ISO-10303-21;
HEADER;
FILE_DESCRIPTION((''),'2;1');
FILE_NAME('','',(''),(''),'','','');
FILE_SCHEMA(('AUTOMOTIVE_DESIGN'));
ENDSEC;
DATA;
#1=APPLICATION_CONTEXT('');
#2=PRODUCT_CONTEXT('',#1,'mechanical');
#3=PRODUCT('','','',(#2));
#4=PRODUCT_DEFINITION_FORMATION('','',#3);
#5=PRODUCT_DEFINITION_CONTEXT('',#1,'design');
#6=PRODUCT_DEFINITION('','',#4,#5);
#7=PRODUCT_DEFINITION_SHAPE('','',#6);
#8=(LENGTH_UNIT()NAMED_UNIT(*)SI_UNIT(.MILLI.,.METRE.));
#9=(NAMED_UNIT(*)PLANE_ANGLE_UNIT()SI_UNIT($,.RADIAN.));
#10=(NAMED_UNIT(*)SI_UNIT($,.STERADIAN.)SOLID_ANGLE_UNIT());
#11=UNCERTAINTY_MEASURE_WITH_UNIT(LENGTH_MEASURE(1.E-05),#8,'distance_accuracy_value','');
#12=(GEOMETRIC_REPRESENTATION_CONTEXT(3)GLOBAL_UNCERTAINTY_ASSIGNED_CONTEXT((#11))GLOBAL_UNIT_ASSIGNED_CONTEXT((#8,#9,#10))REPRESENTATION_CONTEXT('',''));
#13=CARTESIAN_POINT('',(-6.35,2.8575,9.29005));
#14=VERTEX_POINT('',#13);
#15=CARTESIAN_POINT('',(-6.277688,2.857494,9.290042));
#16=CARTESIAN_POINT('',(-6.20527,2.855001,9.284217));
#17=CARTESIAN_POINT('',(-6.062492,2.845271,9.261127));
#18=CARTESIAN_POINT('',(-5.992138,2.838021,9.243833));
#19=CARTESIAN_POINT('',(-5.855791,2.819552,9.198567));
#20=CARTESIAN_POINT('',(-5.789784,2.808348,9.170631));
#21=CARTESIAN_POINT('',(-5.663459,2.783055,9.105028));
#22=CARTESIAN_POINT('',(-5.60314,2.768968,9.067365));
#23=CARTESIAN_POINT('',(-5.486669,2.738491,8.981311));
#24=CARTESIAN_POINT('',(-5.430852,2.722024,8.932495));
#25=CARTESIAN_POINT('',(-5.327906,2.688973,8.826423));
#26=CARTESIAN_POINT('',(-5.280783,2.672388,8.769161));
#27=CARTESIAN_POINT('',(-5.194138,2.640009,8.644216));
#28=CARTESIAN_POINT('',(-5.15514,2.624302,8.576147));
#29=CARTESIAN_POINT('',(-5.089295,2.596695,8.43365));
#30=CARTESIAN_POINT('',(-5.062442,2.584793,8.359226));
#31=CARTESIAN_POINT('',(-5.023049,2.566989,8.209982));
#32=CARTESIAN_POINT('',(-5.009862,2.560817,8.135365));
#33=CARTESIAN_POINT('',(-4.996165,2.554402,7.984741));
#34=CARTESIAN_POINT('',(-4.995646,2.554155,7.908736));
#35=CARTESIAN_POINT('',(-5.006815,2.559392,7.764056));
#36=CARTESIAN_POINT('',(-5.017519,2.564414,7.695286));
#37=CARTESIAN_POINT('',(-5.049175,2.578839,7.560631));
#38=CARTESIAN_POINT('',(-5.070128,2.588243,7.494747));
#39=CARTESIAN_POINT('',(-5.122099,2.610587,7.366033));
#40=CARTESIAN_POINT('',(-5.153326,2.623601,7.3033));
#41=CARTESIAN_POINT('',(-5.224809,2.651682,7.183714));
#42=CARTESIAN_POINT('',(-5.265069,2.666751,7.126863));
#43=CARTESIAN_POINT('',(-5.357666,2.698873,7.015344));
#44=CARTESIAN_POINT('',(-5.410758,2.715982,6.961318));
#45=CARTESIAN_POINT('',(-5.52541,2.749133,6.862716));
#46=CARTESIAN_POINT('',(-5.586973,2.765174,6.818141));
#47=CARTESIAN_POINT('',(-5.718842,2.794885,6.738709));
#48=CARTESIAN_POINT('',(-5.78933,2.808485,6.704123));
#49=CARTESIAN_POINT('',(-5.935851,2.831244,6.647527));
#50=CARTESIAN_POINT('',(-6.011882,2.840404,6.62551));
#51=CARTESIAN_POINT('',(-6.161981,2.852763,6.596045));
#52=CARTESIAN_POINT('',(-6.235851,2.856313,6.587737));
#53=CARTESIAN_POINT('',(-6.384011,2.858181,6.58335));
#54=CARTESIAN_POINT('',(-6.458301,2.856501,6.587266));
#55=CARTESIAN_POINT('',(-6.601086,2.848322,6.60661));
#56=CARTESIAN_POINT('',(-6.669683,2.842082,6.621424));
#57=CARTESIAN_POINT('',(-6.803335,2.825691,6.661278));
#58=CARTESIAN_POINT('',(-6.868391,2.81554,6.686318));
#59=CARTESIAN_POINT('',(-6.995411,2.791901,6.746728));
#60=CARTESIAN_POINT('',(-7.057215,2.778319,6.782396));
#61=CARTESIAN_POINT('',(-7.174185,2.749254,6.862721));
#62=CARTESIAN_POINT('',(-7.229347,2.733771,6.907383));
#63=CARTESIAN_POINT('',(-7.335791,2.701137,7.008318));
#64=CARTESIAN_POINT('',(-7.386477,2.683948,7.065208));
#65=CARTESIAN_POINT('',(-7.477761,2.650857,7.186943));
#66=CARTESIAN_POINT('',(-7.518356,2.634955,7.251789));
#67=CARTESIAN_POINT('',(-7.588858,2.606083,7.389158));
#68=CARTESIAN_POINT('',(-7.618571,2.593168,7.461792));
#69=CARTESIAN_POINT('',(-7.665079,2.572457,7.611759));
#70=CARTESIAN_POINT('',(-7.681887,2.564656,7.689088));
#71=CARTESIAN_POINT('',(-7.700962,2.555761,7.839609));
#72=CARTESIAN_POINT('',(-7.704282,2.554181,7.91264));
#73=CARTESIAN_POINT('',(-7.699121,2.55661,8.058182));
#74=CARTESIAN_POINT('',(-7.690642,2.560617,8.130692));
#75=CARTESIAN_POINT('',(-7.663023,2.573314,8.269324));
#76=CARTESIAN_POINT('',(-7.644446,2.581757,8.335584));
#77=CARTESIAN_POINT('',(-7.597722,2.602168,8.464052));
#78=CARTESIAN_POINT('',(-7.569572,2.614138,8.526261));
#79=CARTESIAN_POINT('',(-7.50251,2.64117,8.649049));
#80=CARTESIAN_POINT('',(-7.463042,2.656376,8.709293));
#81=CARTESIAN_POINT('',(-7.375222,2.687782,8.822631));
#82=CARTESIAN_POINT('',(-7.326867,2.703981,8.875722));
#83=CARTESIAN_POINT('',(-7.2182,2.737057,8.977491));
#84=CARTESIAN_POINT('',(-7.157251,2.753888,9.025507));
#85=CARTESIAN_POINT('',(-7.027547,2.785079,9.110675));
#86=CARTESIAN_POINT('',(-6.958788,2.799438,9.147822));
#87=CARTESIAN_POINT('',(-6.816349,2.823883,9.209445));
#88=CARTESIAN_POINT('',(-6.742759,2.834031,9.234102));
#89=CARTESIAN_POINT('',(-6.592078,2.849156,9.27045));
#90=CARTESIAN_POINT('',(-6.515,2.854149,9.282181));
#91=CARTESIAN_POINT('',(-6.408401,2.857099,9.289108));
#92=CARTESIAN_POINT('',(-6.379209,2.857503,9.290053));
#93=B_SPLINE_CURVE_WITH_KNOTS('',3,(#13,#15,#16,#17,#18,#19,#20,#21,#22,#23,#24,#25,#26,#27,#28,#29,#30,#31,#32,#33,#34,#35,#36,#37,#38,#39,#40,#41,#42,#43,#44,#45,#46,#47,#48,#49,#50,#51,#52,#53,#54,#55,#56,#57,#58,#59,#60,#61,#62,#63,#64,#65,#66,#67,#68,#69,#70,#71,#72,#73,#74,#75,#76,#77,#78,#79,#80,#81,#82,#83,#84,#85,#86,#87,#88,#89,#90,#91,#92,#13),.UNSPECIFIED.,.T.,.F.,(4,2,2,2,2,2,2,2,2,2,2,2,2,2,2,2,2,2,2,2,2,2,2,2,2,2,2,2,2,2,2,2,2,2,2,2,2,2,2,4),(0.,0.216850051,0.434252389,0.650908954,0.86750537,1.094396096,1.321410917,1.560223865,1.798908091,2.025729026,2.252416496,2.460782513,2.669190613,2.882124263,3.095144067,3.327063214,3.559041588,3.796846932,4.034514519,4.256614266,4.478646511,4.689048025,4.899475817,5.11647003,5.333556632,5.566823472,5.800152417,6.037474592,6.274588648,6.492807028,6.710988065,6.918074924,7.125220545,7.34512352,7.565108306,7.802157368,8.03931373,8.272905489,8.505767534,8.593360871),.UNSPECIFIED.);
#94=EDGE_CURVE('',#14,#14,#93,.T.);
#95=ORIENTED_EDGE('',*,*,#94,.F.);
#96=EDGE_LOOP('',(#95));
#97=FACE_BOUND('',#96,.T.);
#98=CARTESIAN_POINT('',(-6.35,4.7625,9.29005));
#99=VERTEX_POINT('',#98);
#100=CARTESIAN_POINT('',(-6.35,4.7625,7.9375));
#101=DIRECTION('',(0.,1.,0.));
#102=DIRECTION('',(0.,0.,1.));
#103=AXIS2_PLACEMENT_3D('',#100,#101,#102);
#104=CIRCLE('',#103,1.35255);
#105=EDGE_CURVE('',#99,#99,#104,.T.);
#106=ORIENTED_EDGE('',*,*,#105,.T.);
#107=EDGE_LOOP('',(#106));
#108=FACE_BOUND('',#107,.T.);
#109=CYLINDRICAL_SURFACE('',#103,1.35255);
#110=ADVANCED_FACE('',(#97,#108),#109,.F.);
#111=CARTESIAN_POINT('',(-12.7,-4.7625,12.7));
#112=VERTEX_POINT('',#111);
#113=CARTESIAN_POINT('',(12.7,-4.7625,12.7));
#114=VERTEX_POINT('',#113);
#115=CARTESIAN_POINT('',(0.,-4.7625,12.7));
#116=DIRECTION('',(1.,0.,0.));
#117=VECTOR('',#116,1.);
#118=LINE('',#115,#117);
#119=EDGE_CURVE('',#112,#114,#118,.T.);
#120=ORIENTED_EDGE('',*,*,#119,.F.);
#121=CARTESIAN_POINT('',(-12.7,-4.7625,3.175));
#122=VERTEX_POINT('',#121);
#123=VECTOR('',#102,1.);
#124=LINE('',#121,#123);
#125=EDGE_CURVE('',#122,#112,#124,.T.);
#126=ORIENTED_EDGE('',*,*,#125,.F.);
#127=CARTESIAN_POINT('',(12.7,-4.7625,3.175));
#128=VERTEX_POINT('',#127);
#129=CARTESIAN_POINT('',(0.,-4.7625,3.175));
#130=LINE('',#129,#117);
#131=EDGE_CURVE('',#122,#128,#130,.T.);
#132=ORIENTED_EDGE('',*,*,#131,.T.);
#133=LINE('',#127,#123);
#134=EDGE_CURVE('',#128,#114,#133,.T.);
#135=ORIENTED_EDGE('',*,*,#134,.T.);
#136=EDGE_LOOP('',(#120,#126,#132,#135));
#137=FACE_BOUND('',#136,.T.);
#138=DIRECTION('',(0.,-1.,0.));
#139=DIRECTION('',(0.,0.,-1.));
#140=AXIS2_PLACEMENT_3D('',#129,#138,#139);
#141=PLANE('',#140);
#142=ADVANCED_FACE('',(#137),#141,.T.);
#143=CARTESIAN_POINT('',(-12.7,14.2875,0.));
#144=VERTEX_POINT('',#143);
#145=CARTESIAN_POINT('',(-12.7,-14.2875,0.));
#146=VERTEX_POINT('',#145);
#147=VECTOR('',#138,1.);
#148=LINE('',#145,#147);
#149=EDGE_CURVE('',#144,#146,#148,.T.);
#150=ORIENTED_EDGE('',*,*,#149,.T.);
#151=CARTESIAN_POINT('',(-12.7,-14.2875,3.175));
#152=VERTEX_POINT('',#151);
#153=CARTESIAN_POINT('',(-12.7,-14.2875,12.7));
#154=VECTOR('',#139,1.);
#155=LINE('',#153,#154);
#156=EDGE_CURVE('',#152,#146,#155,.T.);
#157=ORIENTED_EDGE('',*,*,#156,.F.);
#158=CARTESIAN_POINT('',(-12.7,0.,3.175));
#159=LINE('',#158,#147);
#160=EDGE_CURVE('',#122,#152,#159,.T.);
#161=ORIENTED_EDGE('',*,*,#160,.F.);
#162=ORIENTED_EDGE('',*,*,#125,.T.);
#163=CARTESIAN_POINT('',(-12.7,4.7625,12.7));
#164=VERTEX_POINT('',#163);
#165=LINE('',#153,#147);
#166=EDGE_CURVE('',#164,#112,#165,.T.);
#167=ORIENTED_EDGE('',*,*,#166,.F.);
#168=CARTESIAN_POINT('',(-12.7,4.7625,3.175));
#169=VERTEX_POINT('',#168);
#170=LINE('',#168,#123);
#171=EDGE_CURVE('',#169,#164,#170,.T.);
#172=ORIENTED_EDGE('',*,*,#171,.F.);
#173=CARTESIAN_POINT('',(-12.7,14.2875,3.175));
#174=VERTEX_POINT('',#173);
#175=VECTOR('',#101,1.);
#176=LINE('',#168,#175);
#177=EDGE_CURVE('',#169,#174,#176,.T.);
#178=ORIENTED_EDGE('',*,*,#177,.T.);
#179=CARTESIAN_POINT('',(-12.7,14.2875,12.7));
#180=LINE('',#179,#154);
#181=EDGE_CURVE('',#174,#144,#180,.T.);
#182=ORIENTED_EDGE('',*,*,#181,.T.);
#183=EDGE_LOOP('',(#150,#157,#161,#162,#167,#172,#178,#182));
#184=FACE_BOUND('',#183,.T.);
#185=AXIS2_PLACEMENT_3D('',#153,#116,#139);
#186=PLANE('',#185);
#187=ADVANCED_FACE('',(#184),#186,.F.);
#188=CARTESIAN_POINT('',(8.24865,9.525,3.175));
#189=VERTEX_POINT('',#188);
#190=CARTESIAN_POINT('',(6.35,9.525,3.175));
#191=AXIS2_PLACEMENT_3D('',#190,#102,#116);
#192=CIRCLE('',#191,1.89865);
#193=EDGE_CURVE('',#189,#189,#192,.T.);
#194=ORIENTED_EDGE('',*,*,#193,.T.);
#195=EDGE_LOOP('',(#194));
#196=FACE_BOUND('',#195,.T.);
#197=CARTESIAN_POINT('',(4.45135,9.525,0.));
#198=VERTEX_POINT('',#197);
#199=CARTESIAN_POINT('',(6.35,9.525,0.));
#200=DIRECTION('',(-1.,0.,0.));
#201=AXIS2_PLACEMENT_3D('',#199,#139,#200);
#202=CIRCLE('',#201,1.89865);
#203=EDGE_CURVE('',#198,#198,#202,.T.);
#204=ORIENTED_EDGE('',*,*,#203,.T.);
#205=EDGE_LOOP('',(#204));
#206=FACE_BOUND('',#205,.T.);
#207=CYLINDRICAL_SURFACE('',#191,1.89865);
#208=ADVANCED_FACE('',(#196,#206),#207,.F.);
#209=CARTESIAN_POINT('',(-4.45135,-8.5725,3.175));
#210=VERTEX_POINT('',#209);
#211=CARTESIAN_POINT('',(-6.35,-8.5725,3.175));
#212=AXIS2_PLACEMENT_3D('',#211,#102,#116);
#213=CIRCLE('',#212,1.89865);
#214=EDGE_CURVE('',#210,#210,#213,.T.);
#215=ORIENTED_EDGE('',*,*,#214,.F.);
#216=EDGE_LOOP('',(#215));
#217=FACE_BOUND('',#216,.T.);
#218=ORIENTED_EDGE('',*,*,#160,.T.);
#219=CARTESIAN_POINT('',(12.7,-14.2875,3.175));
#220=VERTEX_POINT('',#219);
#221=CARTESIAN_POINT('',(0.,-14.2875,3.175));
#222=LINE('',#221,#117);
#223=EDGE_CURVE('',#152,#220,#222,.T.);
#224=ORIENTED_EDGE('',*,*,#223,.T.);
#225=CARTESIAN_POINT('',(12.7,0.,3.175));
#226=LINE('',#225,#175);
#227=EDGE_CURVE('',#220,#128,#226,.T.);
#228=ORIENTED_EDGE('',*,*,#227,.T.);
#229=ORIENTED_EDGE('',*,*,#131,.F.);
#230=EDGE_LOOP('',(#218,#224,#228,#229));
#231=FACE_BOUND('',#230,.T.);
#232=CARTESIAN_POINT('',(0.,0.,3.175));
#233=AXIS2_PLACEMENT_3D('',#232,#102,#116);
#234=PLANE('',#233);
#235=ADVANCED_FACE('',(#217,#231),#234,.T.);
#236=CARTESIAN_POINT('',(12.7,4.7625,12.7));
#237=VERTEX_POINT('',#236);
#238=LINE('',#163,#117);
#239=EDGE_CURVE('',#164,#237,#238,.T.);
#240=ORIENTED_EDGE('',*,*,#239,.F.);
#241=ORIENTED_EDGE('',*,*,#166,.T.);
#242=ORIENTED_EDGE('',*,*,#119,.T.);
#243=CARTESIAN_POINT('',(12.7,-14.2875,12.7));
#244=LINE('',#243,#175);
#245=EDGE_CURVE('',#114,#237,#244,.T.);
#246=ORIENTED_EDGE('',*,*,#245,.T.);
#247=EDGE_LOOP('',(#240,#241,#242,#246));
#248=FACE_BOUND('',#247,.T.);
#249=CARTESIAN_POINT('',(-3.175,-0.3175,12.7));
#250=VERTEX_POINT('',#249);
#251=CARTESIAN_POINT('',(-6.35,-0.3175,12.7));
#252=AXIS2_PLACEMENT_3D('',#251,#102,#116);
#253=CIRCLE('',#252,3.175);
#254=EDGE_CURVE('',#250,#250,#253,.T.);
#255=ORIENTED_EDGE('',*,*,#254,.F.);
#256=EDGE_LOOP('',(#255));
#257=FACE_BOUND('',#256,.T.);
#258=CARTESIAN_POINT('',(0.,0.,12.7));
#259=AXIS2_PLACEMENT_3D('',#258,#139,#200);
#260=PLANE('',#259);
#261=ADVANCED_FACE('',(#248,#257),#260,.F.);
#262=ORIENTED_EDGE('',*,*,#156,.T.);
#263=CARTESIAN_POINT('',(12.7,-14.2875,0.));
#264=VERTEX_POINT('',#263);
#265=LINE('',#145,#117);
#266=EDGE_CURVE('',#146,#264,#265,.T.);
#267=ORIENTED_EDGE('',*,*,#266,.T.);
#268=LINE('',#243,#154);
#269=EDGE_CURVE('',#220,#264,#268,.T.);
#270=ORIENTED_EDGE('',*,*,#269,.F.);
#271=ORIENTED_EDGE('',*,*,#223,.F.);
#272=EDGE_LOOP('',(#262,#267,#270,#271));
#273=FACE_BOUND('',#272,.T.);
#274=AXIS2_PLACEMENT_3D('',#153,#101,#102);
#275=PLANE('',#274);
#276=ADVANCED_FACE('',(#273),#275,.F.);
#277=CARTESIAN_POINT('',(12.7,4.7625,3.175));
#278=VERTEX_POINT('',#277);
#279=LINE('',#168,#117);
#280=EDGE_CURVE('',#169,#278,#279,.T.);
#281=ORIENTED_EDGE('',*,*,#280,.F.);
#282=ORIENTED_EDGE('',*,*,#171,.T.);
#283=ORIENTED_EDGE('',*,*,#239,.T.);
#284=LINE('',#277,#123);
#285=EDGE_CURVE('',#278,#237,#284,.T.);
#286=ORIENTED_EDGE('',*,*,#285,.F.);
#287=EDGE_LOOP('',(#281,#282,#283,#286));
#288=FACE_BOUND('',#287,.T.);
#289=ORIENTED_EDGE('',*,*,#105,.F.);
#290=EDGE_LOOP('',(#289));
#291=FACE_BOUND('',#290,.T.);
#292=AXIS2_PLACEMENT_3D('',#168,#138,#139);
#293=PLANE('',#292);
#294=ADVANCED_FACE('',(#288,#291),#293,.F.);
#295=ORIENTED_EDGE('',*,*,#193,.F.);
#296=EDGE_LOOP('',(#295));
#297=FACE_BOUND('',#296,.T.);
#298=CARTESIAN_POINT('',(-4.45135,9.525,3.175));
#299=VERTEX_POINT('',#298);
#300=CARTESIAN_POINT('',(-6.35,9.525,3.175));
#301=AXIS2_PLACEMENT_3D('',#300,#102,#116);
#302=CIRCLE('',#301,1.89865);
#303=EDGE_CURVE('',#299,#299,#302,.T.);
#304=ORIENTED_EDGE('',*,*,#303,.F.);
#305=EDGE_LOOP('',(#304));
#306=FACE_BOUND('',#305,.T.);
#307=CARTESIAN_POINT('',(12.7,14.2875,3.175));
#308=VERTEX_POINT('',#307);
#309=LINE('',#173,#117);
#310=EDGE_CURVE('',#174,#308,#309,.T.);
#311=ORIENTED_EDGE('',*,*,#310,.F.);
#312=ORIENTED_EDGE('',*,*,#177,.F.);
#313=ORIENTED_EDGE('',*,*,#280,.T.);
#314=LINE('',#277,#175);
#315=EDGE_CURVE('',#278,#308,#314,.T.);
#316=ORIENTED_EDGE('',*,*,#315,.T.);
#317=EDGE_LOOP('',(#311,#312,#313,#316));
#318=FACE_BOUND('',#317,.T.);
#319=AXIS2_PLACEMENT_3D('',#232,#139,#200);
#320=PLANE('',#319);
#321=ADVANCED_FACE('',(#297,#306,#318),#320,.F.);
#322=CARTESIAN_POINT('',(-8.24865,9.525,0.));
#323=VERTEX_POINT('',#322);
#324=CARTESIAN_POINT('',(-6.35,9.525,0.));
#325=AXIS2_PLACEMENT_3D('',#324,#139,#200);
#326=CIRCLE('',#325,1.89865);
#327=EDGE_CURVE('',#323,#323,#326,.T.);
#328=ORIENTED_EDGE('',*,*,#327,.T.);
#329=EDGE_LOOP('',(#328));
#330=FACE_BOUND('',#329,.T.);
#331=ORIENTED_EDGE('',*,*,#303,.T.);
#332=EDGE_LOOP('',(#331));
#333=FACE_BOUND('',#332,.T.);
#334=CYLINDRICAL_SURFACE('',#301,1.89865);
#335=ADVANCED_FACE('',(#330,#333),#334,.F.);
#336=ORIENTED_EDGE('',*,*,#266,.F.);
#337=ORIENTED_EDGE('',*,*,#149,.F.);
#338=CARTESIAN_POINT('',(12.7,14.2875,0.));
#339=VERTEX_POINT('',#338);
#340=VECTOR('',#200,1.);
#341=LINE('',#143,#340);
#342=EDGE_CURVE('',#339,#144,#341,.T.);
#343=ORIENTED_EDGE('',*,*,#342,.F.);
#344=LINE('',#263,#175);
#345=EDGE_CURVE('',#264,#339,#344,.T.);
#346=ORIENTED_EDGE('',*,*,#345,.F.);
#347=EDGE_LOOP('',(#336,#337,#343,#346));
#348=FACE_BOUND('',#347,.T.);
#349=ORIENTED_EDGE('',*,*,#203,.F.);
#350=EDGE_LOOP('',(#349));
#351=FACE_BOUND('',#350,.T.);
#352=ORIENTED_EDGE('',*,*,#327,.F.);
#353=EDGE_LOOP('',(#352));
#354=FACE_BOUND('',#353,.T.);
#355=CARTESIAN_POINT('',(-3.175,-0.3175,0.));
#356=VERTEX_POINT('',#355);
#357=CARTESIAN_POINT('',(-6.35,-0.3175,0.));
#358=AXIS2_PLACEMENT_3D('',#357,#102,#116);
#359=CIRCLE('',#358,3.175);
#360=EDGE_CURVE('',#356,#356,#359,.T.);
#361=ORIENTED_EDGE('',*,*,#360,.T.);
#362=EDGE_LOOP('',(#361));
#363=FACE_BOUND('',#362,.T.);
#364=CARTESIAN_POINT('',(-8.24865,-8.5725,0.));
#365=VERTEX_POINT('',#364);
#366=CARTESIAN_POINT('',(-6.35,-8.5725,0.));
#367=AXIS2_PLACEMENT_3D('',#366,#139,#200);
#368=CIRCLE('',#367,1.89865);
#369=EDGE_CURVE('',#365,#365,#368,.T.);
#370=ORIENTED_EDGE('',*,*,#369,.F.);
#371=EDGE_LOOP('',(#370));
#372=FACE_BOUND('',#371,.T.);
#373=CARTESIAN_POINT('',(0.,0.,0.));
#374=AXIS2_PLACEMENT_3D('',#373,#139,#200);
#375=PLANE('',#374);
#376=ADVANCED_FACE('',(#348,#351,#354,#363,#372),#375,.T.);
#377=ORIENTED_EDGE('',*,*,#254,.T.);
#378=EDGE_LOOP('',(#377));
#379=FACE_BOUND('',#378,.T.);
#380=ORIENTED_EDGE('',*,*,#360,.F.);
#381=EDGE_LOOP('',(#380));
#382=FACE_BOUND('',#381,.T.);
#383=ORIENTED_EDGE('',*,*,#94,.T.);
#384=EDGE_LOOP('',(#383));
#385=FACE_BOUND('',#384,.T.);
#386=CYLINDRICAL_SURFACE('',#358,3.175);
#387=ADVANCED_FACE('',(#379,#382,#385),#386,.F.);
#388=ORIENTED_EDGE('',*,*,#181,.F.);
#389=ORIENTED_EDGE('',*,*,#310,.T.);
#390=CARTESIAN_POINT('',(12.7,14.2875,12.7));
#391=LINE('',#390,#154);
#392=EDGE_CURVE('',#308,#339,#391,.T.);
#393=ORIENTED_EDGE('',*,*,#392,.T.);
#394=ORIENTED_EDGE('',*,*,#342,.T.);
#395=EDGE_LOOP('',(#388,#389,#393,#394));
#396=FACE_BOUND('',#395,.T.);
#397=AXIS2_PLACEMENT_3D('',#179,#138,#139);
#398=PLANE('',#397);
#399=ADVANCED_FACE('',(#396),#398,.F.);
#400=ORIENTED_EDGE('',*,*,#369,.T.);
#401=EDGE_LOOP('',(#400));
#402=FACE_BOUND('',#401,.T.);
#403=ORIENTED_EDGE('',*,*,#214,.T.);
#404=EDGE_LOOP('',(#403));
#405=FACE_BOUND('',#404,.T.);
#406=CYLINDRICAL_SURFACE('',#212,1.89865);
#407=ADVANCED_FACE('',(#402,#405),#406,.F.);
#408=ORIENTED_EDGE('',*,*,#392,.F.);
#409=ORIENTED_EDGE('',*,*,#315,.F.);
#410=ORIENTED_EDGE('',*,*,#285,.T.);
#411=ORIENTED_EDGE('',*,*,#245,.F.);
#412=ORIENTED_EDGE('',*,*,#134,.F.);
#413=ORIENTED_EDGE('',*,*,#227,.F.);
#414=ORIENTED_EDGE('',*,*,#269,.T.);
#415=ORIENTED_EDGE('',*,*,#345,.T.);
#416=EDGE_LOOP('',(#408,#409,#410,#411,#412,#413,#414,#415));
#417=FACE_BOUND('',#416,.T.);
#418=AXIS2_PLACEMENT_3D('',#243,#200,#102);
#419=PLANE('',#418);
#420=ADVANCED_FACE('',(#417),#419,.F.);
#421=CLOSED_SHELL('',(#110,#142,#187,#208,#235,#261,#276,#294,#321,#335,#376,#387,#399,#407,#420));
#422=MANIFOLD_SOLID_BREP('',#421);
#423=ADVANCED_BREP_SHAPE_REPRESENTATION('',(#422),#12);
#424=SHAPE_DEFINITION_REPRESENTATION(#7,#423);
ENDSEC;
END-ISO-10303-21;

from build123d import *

# Parameters (mm, degrees)
SKETCH1_W                  = 25.4
SKETCH1_H                  = 28.575
BOSS_EXTRUDE1_DEPTH        = 12.7
SKETCH3_W                  = 25.4
SKETCH3_H                  = 9.525
CUT_EXTRUDE1_DEPTH         = 9.525
SKETCH2_R                  = 3.175
CUT_EXTRUDE2_DEPTH         = 23.950221268
F_6_32_TAPPED_HOLE1_REACH  = 28.182
F_6_32_TAPPED_HOLE1_BORE_R = 1.35255
F_6_CLEARANCE_HOLE1_D      = 3.7973


with BuildPart() as part:
    # Sketch1 → Boss-Extrude1 (new body)
    with BuildSketch(Plane.XY):
        Rectangle(SKETCH1_W, SKETCH1_H)
    extrude(amount=BOSS_EXTRUDE1_DEPTH)

    # Sketch3 → Cut-Extrude1 (cut)
    with BuildSketch(Plane.XY.offset(12.7)):
        with Locations((0, -9.525)):
            Rectangle(SKETCH3_W, SKETCH3_H)
        with Locations((0, 9.525)):
            Rectangle(SKETCH3_W, SKETCH3_H)
    extrude(amount=-CUT_EXTRUDE1_DEPTH, mode=Mode.SUBTRACT)

    # Sketch2 → Cut-Extrude2 (cut, through all)
    with BuildSketch(Plane.XY.offset(12.7)):
        with Locations((-6.35, -0.3175)):
            Circle(SKETCH2_R)
    extrude(amount=-CUT_EXTRUDE2_DEPTH, mode=Mode.SUBTRACT)

    # #6-32 Tapped Hole1 bore → #6-32 Tapped Hole1 (cut, up to next)
    with BuildSketch(Plane(origin=(0, 4.7625, 0), x_dir=(1, 0, 0), z_dir=(0, 1, 0)), mode=Mode.PRIVATE) as f_6_32_tapped_hole1_sk1:
        with Locations((-6.35, -7.9375)):
            Circle(F_6_32_TAPPED_HOLE1_BORE_R)
    f_6_32_tapped_hole1_tool1 = extrude(f_6_32_tapped_hole1_sk1.sketch, amount=-F_6_32_TAPPED_HOLE1_REACH, mode=Mode.PRIVATE) & part.part
    add(f_6_32_tapped_hole1_tool1.solids().sort_by_distance((-6.35, 4.7625, 7.9375))[0], mode=Mode.SUBTRACT)

    # #6 Clearance Hole1 (through all)
    with Locations(Plane.XY.offset(3.175)):
        with Locations((-6.35, 9.525), (6.35, 9.525), (-6.35, -8.5725)):
            Hole(F_6_CLEARANCE_HOLE1_D / 2)


solid = part.part
